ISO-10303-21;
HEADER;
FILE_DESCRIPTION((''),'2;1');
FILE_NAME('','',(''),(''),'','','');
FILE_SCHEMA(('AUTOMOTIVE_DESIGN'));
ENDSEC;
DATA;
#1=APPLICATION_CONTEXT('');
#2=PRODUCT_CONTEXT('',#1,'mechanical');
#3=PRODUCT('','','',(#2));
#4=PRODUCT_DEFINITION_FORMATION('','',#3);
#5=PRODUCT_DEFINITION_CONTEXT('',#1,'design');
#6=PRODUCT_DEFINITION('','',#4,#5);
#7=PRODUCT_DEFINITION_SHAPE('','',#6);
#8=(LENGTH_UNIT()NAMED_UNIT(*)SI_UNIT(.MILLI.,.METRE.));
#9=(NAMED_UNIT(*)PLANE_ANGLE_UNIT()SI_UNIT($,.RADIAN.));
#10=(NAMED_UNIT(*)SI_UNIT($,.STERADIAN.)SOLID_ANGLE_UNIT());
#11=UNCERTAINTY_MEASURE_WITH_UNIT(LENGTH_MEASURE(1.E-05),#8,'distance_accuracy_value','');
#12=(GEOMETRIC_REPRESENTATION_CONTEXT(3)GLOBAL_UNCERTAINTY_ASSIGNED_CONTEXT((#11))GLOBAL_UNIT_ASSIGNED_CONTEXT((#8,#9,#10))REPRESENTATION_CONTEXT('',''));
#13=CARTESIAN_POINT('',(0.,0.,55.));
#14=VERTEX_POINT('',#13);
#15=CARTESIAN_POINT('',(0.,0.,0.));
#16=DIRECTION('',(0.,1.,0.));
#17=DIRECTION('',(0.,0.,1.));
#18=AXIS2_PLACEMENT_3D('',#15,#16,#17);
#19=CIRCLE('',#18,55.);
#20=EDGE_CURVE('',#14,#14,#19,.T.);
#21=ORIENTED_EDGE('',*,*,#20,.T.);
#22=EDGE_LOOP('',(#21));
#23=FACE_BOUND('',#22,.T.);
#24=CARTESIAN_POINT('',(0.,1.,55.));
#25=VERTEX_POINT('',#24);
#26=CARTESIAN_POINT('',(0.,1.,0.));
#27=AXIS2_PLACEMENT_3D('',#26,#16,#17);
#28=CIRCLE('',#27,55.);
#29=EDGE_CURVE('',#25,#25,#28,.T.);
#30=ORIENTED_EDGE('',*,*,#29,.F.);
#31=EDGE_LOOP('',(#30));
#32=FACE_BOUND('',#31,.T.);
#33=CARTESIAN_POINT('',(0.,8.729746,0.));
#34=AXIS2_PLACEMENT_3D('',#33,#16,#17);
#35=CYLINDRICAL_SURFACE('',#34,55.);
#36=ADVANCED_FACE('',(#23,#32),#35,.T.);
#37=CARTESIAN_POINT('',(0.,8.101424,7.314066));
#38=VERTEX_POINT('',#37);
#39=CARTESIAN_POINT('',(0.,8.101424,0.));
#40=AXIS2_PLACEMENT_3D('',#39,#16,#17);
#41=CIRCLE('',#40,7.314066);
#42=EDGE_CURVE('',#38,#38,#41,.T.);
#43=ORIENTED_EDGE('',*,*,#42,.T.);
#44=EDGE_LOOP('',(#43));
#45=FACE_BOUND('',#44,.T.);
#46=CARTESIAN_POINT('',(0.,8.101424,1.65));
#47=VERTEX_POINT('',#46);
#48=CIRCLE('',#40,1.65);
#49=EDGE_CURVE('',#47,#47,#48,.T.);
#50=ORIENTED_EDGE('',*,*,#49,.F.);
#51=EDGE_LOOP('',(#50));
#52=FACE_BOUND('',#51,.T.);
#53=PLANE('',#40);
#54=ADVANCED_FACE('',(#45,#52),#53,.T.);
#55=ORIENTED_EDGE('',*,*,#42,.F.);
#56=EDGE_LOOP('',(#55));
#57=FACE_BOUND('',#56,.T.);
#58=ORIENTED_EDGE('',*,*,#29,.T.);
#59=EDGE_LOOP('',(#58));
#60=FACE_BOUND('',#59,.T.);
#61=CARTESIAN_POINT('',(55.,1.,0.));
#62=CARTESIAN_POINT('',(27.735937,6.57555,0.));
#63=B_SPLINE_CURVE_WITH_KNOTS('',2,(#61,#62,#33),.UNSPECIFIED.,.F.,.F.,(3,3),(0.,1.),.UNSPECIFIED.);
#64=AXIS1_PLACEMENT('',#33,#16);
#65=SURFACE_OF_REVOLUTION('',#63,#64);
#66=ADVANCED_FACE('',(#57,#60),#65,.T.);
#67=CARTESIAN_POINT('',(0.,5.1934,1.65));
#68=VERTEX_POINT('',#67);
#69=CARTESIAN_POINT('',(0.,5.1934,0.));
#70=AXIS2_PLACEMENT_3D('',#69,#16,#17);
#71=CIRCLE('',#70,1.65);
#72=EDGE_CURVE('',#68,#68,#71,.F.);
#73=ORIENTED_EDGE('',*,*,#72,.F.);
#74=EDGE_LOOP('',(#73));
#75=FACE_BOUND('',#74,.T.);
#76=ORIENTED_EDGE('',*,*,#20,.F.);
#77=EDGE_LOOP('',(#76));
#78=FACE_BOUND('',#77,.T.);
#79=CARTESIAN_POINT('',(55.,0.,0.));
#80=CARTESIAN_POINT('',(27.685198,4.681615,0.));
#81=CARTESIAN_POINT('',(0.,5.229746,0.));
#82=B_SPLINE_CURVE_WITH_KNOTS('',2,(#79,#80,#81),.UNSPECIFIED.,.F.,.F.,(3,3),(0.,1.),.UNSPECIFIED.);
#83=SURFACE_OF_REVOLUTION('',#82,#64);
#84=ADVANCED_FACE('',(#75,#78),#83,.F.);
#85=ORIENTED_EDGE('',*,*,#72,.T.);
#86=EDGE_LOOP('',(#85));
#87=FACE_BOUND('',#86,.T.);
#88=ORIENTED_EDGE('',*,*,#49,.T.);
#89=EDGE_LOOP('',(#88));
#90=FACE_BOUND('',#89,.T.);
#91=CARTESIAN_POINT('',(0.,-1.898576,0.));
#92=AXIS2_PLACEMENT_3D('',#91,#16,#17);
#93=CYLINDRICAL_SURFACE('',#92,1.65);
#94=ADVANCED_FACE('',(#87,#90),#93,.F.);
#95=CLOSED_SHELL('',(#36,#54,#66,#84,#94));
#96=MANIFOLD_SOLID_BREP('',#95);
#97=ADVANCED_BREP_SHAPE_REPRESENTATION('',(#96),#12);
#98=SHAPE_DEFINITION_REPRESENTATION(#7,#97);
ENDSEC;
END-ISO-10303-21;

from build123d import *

# Parameters (mm, degrees)
SKETCH_3_R          = 1.65
CUT_EXTRUDE_1_DEPTH = 10


with BuildPart() as part:
    # 草图2 → 旋转1 (revolve)
    with BuildSketch(Plane.XY, mode=Mode.PRIVATE) as revolve_1_sk:
        with BuildLine():
            add(Edge.make_bspline(
                [(55, 0), (27.685198059, 4.68161458), (0, 5.229745909)],
                knots=[0, 0, 0, 1, 1, 1], degree=2))
            Line((55, 0), (55, 1))
            add(Edge.make_bspline(
                [(55, 1), (31.334793841, 5.839577235), (7.314066273, 8.101424417)],
                knots=[0, 0, 0, 0.867999985, 0.867999985, 0.867999985], degree=2))
            Line((7.314066273, 8.101424417), (0, 8.101424417))
            Line((0, 8.101424417), (0, 5.229745909))
        make_face()
    revolve(revolve_1_sk.sketch.rotate(Axis((0, 8.729745909, 0), (0, -1, 0)), 90), axis=Axis((0, 8.729745909, 0), (0, -1, 0)))

    # 草图3 → 切除-拉伸1 (cut)
    with BuildSketch(Plane(origin=(0, 8.101424417, 0), x_dir=(1, 0, 0), z_dir=(0, 1, 0))):
        with Locations(Location((0, 0, 0), (0, 0, 270))):
            Circle(SKETCH_3_R)
    extrude(amount=-CUT_EXTRUDE_1_DEPTH, mode=Mode.SUBTRACT)


solid = part.part
